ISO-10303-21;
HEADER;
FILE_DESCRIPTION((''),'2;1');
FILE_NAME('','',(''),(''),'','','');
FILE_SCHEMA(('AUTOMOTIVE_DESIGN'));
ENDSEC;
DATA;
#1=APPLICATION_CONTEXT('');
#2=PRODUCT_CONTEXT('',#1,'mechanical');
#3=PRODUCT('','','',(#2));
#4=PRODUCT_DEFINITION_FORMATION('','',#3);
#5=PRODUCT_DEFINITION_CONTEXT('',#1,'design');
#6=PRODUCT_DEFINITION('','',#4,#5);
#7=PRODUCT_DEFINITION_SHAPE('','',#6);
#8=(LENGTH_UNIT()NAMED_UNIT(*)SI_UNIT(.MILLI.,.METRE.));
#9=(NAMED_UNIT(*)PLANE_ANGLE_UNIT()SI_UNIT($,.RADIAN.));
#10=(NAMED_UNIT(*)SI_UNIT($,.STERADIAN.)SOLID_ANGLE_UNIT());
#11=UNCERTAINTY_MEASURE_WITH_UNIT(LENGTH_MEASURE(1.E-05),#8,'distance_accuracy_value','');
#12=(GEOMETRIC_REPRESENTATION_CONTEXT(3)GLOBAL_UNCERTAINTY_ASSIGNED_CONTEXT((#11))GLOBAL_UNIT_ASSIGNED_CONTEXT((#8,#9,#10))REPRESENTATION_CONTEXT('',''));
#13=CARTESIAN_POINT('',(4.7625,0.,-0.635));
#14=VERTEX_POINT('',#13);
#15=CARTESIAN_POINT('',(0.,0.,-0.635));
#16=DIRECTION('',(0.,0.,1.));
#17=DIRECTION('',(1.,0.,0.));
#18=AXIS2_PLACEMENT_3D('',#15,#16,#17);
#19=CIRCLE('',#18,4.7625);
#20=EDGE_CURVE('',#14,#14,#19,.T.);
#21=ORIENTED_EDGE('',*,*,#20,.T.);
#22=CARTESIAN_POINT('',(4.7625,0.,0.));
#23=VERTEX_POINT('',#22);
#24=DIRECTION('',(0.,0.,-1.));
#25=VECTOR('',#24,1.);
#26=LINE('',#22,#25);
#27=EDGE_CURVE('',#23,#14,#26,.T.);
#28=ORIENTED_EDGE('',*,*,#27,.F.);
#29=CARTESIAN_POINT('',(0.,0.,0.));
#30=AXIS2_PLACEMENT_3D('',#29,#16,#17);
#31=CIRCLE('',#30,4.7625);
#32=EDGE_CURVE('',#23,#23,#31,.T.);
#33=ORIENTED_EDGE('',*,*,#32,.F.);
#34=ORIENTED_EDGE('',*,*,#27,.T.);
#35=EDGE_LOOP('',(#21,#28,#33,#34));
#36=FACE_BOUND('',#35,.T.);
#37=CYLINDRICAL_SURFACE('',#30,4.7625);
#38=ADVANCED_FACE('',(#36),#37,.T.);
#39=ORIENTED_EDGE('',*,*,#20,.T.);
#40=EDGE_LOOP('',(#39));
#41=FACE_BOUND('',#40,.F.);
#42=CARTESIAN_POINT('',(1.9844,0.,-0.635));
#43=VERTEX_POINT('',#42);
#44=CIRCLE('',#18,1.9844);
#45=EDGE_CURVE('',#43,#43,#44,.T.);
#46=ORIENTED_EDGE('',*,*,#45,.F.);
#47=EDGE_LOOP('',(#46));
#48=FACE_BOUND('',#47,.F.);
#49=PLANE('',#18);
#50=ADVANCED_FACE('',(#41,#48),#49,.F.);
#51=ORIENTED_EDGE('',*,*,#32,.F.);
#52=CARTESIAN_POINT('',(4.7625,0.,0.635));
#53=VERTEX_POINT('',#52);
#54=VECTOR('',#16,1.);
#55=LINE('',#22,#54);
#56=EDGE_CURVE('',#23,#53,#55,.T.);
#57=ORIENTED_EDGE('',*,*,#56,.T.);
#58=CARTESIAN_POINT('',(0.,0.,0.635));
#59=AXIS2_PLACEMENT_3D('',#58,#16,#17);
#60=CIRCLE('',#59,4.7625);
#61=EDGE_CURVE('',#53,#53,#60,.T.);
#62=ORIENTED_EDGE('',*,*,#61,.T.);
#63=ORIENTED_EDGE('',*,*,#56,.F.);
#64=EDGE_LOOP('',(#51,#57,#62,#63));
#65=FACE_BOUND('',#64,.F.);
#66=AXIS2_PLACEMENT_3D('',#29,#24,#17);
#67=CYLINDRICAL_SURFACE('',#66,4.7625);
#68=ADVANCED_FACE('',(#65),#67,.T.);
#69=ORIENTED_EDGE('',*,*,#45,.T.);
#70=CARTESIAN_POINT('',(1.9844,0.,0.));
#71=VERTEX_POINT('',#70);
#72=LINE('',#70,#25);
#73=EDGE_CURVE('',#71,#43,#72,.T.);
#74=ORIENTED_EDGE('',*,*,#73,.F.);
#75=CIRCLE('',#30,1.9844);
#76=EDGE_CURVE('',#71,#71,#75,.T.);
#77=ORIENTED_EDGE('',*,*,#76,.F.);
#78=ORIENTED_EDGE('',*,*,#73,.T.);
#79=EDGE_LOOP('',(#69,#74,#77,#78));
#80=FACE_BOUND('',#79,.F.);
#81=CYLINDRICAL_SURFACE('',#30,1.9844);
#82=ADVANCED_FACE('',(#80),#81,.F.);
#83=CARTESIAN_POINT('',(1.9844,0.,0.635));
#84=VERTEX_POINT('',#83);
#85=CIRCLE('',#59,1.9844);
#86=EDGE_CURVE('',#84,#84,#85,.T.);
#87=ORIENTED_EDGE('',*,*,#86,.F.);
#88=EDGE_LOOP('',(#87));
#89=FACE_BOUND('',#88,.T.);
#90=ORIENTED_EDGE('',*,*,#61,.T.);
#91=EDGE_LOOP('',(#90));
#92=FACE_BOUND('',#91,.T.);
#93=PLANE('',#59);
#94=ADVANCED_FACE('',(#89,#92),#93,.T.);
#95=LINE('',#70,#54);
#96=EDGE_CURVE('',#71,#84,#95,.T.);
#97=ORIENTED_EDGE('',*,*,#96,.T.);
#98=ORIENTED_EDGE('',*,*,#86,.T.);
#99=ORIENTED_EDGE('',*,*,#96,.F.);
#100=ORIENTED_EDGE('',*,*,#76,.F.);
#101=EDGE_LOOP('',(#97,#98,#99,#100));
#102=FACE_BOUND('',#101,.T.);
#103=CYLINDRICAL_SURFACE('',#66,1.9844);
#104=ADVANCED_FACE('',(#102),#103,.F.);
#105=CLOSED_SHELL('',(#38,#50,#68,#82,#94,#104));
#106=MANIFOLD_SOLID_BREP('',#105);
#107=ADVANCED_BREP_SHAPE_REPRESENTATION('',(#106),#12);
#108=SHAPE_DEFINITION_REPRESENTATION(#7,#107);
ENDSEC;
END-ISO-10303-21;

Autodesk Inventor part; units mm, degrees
ref_plane "YZ Plane" through (0, 0, 0) normal (1, 0, 0) x (0, 1, 0)
ref_plane "XZ Plane" through (0, 0, 0) normal (0, 1, 0) x (-1, 0, 0)
ref_plane "XY Plane" through (0, 0, 0) normal (0, 0, 1) x (1, 0, 0)
sketch "Sketch1" plane through (0, 0, 0) normal (0, 0, 1) x (1, 0, 0)
  circle A0 centre (0, 0) radius 4.7625
  circle A1 centre (0, 0) radius 1.9844
  dimension "d0" = 9.525
  dimension "d1" = 3.9688
extrude "Extrusion1" add sketch "Sketch1" along normal mid plane 1.27
properties part number "6-32 Flat Washer" material "Stainless Steel"
